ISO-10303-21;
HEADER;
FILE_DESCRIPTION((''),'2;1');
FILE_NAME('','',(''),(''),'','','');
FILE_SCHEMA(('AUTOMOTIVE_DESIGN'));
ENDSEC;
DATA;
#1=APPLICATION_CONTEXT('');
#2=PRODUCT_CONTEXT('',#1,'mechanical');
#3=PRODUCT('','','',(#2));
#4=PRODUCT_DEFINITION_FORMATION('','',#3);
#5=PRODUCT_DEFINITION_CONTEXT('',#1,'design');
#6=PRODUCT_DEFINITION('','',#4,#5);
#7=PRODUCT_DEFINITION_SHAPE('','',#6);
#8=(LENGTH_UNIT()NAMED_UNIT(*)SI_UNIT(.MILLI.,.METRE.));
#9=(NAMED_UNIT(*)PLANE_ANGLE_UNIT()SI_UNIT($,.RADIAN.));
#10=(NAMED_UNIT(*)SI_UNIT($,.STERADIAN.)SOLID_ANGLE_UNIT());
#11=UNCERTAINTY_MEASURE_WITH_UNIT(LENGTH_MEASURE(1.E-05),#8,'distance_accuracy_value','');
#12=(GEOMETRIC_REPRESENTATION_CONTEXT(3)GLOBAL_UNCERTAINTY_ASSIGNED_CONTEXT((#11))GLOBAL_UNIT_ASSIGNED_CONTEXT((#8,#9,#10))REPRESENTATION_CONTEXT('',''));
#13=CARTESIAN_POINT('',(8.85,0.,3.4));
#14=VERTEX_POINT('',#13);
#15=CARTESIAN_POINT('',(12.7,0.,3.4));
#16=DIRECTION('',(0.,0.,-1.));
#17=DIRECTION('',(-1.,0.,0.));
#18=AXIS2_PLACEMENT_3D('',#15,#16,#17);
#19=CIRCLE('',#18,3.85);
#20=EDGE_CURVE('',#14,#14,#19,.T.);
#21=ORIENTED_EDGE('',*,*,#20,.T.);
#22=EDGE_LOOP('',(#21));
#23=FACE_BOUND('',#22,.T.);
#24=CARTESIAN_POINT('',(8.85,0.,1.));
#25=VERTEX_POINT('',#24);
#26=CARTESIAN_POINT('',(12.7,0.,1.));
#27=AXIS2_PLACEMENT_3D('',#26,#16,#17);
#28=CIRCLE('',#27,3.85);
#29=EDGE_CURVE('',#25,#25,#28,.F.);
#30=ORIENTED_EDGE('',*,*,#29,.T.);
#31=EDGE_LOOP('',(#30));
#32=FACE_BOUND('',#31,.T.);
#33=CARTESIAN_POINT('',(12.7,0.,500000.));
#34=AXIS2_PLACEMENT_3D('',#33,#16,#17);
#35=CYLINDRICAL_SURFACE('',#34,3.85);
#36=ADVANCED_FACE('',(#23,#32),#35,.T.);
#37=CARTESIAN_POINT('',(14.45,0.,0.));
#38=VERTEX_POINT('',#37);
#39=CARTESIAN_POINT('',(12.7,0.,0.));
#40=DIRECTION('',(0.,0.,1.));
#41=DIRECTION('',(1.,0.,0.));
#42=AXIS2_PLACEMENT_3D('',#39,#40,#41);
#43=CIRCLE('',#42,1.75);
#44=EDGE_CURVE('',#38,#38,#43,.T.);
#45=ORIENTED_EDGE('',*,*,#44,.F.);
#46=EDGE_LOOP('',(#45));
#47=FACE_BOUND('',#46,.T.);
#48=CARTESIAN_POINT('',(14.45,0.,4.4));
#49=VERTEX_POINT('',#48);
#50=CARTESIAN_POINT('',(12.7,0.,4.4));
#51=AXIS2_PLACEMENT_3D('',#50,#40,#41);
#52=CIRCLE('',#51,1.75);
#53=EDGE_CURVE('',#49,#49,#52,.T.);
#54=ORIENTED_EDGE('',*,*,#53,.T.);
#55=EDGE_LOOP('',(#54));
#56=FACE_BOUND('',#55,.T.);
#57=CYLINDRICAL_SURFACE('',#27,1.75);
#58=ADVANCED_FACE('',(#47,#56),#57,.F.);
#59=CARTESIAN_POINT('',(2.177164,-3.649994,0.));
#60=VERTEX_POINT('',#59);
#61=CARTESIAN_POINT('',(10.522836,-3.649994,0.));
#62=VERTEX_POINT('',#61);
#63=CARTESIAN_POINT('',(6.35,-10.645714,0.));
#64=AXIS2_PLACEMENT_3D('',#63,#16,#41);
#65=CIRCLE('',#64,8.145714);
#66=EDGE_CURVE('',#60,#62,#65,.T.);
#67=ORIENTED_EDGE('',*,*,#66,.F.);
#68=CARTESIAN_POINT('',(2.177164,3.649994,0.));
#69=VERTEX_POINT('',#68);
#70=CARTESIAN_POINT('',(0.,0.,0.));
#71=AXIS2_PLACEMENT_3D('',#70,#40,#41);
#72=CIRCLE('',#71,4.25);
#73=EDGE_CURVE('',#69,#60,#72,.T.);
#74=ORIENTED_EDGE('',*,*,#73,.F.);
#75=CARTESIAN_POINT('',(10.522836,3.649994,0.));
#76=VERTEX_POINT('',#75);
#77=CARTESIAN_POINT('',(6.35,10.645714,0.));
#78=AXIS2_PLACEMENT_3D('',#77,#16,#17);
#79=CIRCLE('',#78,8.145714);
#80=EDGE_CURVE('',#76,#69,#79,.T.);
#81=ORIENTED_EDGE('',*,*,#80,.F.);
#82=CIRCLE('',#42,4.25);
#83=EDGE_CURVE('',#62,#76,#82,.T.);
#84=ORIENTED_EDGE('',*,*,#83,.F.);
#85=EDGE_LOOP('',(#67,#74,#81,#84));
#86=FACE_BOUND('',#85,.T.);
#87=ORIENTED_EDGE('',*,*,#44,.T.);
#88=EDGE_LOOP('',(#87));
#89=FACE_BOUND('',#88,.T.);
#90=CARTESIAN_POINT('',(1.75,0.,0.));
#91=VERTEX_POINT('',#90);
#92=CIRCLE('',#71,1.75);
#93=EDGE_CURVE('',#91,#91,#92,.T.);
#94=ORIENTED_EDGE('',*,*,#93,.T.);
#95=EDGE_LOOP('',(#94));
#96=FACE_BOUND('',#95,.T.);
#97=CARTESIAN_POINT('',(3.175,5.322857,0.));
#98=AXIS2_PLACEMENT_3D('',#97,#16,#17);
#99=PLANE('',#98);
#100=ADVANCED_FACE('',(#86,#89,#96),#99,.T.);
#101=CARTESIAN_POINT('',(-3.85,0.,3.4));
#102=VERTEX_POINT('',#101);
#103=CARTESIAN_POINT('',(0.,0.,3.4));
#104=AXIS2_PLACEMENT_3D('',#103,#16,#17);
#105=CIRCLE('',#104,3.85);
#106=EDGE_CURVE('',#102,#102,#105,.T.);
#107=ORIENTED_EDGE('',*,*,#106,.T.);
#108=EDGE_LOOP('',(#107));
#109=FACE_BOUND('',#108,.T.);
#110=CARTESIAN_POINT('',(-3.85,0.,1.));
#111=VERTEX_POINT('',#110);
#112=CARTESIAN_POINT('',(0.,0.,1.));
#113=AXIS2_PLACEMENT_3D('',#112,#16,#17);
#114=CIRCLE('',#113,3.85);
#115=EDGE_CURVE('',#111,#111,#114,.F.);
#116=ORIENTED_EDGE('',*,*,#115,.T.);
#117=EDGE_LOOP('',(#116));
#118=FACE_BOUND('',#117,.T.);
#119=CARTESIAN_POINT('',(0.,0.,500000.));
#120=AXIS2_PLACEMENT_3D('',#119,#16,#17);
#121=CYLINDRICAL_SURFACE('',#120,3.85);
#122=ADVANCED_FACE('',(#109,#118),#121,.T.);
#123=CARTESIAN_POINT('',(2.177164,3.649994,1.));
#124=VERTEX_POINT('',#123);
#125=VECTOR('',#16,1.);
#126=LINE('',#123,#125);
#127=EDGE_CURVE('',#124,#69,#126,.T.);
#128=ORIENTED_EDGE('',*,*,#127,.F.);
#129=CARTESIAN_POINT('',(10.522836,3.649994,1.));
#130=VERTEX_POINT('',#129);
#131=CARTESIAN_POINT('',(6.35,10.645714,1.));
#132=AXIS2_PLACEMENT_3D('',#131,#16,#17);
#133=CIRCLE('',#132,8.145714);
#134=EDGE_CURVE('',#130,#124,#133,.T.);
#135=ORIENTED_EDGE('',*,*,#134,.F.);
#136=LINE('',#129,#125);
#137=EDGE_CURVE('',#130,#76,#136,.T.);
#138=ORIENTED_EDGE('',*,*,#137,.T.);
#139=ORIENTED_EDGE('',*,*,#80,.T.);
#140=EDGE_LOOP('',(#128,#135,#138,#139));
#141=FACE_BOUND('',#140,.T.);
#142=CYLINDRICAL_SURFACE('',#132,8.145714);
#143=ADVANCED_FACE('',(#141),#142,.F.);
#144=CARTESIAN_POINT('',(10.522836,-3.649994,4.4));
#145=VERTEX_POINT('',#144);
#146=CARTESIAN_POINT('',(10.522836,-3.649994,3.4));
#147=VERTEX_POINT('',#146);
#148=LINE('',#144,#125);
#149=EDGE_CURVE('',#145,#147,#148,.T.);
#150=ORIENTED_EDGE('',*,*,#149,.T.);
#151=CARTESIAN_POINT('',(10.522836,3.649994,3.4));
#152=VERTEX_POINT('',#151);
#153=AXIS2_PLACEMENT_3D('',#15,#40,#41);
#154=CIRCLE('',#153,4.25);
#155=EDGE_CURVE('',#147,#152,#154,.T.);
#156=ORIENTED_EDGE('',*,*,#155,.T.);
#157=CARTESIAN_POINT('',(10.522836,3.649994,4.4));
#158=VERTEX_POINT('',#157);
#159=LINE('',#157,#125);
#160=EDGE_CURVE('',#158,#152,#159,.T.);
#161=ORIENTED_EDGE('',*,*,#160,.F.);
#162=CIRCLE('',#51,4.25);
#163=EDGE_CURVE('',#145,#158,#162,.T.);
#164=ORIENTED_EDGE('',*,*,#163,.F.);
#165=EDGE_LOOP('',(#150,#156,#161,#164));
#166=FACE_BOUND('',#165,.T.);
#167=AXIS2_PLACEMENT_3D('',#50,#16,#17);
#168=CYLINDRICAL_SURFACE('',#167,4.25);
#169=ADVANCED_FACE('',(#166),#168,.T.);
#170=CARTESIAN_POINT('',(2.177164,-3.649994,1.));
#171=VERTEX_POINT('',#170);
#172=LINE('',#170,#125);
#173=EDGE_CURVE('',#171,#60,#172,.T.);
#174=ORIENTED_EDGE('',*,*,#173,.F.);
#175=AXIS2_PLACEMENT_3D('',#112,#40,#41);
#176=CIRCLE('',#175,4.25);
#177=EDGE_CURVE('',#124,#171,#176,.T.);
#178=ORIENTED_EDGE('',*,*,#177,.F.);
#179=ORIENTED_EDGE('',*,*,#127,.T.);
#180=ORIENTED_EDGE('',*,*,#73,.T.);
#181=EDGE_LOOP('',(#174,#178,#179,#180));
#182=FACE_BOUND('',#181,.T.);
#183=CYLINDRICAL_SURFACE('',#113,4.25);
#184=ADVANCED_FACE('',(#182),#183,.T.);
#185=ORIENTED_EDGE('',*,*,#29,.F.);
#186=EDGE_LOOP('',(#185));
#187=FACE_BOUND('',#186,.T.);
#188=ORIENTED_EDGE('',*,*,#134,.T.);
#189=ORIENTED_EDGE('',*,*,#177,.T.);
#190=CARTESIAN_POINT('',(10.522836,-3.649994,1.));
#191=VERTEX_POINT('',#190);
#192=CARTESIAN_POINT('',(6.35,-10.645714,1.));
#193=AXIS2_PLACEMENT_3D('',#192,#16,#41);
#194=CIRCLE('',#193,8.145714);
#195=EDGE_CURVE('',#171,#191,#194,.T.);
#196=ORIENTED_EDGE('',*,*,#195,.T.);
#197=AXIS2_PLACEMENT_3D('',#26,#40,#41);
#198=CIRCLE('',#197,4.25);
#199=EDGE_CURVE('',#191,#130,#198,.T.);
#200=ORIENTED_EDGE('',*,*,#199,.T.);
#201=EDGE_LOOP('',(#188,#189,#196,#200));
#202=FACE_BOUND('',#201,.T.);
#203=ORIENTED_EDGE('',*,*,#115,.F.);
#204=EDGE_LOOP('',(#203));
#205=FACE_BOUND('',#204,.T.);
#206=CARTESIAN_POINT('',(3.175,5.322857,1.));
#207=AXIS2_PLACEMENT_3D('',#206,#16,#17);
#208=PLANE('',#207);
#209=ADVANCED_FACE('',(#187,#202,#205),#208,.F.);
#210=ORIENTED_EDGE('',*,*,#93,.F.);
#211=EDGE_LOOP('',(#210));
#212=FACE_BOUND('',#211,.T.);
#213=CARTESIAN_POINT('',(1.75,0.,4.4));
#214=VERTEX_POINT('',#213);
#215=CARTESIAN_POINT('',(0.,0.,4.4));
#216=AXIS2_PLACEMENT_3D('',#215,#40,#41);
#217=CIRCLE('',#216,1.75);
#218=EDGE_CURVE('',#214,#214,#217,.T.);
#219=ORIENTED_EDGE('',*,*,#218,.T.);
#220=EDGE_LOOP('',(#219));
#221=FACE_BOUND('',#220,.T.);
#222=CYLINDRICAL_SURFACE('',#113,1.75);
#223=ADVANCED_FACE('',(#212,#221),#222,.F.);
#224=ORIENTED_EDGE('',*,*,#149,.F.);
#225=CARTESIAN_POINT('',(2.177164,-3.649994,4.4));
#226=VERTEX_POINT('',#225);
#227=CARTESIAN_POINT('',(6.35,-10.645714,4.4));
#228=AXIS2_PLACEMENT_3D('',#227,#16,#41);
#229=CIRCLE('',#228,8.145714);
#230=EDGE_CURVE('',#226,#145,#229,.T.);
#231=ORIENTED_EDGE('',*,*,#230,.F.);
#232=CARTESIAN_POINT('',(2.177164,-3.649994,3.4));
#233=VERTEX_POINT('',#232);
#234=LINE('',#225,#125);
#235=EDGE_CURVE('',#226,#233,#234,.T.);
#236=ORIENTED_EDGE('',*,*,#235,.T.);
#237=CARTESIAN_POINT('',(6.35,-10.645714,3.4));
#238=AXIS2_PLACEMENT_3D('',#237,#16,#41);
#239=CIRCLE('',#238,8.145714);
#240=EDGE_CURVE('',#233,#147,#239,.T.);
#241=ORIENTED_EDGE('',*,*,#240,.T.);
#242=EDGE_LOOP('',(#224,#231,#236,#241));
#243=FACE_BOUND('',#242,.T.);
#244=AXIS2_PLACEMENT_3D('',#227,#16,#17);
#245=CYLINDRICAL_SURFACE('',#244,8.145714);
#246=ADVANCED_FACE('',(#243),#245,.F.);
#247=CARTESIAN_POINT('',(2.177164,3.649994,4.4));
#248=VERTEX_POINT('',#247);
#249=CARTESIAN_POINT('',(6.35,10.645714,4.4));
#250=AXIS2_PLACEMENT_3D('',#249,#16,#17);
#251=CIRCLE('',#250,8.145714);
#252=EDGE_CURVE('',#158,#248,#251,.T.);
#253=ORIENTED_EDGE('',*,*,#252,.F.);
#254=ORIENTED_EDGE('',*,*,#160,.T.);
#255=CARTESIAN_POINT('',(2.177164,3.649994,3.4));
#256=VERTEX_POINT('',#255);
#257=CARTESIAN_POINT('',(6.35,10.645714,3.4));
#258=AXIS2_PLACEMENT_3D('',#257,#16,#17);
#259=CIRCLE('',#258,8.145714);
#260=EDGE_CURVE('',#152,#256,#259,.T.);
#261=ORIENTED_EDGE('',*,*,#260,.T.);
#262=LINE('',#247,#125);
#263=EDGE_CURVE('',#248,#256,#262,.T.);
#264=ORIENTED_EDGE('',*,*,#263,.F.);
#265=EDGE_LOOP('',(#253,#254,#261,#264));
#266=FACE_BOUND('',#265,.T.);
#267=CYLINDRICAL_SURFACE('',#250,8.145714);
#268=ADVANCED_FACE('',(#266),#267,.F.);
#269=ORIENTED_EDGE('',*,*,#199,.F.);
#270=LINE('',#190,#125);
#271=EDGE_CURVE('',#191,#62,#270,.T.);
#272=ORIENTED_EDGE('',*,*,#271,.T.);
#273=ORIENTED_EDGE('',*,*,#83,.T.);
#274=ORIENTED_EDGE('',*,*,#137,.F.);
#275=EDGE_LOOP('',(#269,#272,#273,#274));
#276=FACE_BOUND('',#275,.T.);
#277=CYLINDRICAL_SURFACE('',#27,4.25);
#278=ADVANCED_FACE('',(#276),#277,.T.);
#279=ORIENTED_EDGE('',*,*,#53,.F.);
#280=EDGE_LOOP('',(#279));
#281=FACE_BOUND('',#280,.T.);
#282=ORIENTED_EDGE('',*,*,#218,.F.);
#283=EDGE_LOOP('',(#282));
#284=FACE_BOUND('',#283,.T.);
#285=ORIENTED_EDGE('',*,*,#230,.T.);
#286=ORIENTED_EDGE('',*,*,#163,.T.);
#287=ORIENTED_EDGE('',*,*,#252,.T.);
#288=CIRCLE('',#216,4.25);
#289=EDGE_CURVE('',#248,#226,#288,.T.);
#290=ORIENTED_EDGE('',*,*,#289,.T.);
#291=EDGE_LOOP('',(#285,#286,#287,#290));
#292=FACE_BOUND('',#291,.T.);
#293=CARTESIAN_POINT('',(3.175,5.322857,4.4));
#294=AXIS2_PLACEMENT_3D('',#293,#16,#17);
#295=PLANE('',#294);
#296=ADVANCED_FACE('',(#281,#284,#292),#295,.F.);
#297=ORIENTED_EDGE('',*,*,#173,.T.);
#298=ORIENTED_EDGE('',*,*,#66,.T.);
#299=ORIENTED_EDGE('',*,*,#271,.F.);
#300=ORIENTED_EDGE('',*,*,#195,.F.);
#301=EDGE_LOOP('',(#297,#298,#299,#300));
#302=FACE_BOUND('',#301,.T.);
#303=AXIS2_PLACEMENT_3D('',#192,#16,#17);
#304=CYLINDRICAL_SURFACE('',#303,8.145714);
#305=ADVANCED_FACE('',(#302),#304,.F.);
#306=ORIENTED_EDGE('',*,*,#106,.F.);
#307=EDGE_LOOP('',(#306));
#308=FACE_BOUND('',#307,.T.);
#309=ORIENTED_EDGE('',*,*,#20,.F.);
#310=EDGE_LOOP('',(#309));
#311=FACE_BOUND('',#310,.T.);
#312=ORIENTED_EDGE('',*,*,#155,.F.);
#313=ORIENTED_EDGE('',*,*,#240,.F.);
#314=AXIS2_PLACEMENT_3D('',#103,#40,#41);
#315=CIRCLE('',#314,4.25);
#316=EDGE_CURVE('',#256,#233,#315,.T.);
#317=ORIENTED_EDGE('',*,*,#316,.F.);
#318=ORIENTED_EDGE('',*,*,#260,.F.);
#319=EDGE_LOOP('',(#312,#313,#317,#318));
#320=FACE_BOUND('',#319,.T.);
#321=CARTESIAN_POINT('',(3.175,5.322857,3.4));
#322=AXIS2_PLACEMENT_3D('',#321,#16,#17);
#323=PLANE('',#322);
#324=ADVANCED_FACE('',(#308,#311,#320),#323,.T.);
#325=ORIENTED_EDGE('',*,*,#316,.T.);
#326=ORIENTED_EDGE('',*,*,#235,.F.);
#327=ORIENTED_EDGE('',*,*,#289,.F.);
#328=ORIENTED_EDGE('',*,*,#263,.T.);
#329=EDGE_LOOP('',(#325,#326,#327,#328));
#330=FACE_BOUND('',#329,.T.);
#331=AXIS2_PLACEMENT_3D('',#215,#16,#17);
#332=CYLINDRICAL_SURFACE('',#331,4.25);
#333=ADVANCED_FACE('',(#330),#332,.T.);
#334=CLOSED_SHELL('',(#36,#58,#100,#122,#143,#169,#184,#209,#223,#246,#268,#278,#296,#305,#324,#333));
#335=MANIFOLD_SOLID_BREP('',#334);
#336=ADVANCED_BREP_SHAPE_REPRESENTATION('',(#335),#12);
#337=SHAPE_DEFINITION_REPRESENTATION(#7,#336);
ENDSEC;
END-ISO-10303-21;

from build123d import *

# Parameters (mm, degrees)
SKETCH1_R           = 1.75
BOSS_EXTRUDE1_DEPTH = 1
BOSS_EXTRUDE3_REACH = 19.802
SKETCH4_R           = 3.85
SKETCH4_R_2         = 1.75


with BuildPart() as part:
    # Sketch1 → Boss-Extrude1 (new body)
    with BuildSketch(Plane.XY):
        with BuildLine():
            ThreePointArc((2.177163766, 3.649994238), (-4.25, 0), (2.177163766, -3.649994238))
            ThreePointArc((2.177163766, -3.649994238), (6.35, -2.5), (10.522836234, -3.649994238))
            ThreePointArc((10.522836234, -3.649994238), (16.95, 0), (10.522836234, 3.649994238))
            ThreePointArc((10.522836234, 3.649994238), (6.35, 2.5), (2.177163766, 3.649994238))
        make_face()
        Circle(SKETCH1_R, mode=Mode.SUBTRACT)
        with Locations((12.7, 0)):
            Circle(SKETCH1_R, mode=Mode.SUBTRACT)
    extrude(amount=BOSS_EXTRUDE1_DEPTH)


with BuildPart() as body_2:
    # Body-Move/Copy1: copy of part
    add(part.part.moved(Location((0, 0, 3.4))))

    # Sketch4 → Boss-Extrude3 (add, up to next)
    with BuildSketch(Plane.XY.offset(1), mode=Mode.PRIVATE) as boss_extrude3_sk1:
        Circle(SKETCH4_R)
        Circle(SKETCH4_R_2, mode=Mode.SUBTRACT)
    boss_extrude3_tool1 = extrude(boss_extrude3_sk1.sketch, amount=BOSS_EXTRUDE3_REACH, mode=Mode.PRIVATE) - body_2.part
    # Sketch4 → Boss-Extrude3 (add, up to next)
    with BuildSketch(Plane.XY.offset(1), mode=Mode.PRIVATE) as boss_extrude3_sk2:
        with Locations((12.7, 0)):
            Circle(SKETCH4_R)
        with Locations((12.7, 0)):
            Circle(SKETCH4_R_2, mode=Mode.SUBTRACT)
    boss_extrude3_tool2 = extrude(boss_extrude3_sk2.sketch, amount=BOSS_EXTRUDE3_REACH, mode=Mode.PRIVATE) - body_2.part

    add(part.part)  # Boss-Extrude3 merges part
    add(boss_extrude3_tool1.solids().sort_by_distance((-3.741106, 0, 1))[0])
    add(boss_extrude3_tool2.solids().sort_by_distance((8.958894, 0, 1))[0])


solid = body_2.part
